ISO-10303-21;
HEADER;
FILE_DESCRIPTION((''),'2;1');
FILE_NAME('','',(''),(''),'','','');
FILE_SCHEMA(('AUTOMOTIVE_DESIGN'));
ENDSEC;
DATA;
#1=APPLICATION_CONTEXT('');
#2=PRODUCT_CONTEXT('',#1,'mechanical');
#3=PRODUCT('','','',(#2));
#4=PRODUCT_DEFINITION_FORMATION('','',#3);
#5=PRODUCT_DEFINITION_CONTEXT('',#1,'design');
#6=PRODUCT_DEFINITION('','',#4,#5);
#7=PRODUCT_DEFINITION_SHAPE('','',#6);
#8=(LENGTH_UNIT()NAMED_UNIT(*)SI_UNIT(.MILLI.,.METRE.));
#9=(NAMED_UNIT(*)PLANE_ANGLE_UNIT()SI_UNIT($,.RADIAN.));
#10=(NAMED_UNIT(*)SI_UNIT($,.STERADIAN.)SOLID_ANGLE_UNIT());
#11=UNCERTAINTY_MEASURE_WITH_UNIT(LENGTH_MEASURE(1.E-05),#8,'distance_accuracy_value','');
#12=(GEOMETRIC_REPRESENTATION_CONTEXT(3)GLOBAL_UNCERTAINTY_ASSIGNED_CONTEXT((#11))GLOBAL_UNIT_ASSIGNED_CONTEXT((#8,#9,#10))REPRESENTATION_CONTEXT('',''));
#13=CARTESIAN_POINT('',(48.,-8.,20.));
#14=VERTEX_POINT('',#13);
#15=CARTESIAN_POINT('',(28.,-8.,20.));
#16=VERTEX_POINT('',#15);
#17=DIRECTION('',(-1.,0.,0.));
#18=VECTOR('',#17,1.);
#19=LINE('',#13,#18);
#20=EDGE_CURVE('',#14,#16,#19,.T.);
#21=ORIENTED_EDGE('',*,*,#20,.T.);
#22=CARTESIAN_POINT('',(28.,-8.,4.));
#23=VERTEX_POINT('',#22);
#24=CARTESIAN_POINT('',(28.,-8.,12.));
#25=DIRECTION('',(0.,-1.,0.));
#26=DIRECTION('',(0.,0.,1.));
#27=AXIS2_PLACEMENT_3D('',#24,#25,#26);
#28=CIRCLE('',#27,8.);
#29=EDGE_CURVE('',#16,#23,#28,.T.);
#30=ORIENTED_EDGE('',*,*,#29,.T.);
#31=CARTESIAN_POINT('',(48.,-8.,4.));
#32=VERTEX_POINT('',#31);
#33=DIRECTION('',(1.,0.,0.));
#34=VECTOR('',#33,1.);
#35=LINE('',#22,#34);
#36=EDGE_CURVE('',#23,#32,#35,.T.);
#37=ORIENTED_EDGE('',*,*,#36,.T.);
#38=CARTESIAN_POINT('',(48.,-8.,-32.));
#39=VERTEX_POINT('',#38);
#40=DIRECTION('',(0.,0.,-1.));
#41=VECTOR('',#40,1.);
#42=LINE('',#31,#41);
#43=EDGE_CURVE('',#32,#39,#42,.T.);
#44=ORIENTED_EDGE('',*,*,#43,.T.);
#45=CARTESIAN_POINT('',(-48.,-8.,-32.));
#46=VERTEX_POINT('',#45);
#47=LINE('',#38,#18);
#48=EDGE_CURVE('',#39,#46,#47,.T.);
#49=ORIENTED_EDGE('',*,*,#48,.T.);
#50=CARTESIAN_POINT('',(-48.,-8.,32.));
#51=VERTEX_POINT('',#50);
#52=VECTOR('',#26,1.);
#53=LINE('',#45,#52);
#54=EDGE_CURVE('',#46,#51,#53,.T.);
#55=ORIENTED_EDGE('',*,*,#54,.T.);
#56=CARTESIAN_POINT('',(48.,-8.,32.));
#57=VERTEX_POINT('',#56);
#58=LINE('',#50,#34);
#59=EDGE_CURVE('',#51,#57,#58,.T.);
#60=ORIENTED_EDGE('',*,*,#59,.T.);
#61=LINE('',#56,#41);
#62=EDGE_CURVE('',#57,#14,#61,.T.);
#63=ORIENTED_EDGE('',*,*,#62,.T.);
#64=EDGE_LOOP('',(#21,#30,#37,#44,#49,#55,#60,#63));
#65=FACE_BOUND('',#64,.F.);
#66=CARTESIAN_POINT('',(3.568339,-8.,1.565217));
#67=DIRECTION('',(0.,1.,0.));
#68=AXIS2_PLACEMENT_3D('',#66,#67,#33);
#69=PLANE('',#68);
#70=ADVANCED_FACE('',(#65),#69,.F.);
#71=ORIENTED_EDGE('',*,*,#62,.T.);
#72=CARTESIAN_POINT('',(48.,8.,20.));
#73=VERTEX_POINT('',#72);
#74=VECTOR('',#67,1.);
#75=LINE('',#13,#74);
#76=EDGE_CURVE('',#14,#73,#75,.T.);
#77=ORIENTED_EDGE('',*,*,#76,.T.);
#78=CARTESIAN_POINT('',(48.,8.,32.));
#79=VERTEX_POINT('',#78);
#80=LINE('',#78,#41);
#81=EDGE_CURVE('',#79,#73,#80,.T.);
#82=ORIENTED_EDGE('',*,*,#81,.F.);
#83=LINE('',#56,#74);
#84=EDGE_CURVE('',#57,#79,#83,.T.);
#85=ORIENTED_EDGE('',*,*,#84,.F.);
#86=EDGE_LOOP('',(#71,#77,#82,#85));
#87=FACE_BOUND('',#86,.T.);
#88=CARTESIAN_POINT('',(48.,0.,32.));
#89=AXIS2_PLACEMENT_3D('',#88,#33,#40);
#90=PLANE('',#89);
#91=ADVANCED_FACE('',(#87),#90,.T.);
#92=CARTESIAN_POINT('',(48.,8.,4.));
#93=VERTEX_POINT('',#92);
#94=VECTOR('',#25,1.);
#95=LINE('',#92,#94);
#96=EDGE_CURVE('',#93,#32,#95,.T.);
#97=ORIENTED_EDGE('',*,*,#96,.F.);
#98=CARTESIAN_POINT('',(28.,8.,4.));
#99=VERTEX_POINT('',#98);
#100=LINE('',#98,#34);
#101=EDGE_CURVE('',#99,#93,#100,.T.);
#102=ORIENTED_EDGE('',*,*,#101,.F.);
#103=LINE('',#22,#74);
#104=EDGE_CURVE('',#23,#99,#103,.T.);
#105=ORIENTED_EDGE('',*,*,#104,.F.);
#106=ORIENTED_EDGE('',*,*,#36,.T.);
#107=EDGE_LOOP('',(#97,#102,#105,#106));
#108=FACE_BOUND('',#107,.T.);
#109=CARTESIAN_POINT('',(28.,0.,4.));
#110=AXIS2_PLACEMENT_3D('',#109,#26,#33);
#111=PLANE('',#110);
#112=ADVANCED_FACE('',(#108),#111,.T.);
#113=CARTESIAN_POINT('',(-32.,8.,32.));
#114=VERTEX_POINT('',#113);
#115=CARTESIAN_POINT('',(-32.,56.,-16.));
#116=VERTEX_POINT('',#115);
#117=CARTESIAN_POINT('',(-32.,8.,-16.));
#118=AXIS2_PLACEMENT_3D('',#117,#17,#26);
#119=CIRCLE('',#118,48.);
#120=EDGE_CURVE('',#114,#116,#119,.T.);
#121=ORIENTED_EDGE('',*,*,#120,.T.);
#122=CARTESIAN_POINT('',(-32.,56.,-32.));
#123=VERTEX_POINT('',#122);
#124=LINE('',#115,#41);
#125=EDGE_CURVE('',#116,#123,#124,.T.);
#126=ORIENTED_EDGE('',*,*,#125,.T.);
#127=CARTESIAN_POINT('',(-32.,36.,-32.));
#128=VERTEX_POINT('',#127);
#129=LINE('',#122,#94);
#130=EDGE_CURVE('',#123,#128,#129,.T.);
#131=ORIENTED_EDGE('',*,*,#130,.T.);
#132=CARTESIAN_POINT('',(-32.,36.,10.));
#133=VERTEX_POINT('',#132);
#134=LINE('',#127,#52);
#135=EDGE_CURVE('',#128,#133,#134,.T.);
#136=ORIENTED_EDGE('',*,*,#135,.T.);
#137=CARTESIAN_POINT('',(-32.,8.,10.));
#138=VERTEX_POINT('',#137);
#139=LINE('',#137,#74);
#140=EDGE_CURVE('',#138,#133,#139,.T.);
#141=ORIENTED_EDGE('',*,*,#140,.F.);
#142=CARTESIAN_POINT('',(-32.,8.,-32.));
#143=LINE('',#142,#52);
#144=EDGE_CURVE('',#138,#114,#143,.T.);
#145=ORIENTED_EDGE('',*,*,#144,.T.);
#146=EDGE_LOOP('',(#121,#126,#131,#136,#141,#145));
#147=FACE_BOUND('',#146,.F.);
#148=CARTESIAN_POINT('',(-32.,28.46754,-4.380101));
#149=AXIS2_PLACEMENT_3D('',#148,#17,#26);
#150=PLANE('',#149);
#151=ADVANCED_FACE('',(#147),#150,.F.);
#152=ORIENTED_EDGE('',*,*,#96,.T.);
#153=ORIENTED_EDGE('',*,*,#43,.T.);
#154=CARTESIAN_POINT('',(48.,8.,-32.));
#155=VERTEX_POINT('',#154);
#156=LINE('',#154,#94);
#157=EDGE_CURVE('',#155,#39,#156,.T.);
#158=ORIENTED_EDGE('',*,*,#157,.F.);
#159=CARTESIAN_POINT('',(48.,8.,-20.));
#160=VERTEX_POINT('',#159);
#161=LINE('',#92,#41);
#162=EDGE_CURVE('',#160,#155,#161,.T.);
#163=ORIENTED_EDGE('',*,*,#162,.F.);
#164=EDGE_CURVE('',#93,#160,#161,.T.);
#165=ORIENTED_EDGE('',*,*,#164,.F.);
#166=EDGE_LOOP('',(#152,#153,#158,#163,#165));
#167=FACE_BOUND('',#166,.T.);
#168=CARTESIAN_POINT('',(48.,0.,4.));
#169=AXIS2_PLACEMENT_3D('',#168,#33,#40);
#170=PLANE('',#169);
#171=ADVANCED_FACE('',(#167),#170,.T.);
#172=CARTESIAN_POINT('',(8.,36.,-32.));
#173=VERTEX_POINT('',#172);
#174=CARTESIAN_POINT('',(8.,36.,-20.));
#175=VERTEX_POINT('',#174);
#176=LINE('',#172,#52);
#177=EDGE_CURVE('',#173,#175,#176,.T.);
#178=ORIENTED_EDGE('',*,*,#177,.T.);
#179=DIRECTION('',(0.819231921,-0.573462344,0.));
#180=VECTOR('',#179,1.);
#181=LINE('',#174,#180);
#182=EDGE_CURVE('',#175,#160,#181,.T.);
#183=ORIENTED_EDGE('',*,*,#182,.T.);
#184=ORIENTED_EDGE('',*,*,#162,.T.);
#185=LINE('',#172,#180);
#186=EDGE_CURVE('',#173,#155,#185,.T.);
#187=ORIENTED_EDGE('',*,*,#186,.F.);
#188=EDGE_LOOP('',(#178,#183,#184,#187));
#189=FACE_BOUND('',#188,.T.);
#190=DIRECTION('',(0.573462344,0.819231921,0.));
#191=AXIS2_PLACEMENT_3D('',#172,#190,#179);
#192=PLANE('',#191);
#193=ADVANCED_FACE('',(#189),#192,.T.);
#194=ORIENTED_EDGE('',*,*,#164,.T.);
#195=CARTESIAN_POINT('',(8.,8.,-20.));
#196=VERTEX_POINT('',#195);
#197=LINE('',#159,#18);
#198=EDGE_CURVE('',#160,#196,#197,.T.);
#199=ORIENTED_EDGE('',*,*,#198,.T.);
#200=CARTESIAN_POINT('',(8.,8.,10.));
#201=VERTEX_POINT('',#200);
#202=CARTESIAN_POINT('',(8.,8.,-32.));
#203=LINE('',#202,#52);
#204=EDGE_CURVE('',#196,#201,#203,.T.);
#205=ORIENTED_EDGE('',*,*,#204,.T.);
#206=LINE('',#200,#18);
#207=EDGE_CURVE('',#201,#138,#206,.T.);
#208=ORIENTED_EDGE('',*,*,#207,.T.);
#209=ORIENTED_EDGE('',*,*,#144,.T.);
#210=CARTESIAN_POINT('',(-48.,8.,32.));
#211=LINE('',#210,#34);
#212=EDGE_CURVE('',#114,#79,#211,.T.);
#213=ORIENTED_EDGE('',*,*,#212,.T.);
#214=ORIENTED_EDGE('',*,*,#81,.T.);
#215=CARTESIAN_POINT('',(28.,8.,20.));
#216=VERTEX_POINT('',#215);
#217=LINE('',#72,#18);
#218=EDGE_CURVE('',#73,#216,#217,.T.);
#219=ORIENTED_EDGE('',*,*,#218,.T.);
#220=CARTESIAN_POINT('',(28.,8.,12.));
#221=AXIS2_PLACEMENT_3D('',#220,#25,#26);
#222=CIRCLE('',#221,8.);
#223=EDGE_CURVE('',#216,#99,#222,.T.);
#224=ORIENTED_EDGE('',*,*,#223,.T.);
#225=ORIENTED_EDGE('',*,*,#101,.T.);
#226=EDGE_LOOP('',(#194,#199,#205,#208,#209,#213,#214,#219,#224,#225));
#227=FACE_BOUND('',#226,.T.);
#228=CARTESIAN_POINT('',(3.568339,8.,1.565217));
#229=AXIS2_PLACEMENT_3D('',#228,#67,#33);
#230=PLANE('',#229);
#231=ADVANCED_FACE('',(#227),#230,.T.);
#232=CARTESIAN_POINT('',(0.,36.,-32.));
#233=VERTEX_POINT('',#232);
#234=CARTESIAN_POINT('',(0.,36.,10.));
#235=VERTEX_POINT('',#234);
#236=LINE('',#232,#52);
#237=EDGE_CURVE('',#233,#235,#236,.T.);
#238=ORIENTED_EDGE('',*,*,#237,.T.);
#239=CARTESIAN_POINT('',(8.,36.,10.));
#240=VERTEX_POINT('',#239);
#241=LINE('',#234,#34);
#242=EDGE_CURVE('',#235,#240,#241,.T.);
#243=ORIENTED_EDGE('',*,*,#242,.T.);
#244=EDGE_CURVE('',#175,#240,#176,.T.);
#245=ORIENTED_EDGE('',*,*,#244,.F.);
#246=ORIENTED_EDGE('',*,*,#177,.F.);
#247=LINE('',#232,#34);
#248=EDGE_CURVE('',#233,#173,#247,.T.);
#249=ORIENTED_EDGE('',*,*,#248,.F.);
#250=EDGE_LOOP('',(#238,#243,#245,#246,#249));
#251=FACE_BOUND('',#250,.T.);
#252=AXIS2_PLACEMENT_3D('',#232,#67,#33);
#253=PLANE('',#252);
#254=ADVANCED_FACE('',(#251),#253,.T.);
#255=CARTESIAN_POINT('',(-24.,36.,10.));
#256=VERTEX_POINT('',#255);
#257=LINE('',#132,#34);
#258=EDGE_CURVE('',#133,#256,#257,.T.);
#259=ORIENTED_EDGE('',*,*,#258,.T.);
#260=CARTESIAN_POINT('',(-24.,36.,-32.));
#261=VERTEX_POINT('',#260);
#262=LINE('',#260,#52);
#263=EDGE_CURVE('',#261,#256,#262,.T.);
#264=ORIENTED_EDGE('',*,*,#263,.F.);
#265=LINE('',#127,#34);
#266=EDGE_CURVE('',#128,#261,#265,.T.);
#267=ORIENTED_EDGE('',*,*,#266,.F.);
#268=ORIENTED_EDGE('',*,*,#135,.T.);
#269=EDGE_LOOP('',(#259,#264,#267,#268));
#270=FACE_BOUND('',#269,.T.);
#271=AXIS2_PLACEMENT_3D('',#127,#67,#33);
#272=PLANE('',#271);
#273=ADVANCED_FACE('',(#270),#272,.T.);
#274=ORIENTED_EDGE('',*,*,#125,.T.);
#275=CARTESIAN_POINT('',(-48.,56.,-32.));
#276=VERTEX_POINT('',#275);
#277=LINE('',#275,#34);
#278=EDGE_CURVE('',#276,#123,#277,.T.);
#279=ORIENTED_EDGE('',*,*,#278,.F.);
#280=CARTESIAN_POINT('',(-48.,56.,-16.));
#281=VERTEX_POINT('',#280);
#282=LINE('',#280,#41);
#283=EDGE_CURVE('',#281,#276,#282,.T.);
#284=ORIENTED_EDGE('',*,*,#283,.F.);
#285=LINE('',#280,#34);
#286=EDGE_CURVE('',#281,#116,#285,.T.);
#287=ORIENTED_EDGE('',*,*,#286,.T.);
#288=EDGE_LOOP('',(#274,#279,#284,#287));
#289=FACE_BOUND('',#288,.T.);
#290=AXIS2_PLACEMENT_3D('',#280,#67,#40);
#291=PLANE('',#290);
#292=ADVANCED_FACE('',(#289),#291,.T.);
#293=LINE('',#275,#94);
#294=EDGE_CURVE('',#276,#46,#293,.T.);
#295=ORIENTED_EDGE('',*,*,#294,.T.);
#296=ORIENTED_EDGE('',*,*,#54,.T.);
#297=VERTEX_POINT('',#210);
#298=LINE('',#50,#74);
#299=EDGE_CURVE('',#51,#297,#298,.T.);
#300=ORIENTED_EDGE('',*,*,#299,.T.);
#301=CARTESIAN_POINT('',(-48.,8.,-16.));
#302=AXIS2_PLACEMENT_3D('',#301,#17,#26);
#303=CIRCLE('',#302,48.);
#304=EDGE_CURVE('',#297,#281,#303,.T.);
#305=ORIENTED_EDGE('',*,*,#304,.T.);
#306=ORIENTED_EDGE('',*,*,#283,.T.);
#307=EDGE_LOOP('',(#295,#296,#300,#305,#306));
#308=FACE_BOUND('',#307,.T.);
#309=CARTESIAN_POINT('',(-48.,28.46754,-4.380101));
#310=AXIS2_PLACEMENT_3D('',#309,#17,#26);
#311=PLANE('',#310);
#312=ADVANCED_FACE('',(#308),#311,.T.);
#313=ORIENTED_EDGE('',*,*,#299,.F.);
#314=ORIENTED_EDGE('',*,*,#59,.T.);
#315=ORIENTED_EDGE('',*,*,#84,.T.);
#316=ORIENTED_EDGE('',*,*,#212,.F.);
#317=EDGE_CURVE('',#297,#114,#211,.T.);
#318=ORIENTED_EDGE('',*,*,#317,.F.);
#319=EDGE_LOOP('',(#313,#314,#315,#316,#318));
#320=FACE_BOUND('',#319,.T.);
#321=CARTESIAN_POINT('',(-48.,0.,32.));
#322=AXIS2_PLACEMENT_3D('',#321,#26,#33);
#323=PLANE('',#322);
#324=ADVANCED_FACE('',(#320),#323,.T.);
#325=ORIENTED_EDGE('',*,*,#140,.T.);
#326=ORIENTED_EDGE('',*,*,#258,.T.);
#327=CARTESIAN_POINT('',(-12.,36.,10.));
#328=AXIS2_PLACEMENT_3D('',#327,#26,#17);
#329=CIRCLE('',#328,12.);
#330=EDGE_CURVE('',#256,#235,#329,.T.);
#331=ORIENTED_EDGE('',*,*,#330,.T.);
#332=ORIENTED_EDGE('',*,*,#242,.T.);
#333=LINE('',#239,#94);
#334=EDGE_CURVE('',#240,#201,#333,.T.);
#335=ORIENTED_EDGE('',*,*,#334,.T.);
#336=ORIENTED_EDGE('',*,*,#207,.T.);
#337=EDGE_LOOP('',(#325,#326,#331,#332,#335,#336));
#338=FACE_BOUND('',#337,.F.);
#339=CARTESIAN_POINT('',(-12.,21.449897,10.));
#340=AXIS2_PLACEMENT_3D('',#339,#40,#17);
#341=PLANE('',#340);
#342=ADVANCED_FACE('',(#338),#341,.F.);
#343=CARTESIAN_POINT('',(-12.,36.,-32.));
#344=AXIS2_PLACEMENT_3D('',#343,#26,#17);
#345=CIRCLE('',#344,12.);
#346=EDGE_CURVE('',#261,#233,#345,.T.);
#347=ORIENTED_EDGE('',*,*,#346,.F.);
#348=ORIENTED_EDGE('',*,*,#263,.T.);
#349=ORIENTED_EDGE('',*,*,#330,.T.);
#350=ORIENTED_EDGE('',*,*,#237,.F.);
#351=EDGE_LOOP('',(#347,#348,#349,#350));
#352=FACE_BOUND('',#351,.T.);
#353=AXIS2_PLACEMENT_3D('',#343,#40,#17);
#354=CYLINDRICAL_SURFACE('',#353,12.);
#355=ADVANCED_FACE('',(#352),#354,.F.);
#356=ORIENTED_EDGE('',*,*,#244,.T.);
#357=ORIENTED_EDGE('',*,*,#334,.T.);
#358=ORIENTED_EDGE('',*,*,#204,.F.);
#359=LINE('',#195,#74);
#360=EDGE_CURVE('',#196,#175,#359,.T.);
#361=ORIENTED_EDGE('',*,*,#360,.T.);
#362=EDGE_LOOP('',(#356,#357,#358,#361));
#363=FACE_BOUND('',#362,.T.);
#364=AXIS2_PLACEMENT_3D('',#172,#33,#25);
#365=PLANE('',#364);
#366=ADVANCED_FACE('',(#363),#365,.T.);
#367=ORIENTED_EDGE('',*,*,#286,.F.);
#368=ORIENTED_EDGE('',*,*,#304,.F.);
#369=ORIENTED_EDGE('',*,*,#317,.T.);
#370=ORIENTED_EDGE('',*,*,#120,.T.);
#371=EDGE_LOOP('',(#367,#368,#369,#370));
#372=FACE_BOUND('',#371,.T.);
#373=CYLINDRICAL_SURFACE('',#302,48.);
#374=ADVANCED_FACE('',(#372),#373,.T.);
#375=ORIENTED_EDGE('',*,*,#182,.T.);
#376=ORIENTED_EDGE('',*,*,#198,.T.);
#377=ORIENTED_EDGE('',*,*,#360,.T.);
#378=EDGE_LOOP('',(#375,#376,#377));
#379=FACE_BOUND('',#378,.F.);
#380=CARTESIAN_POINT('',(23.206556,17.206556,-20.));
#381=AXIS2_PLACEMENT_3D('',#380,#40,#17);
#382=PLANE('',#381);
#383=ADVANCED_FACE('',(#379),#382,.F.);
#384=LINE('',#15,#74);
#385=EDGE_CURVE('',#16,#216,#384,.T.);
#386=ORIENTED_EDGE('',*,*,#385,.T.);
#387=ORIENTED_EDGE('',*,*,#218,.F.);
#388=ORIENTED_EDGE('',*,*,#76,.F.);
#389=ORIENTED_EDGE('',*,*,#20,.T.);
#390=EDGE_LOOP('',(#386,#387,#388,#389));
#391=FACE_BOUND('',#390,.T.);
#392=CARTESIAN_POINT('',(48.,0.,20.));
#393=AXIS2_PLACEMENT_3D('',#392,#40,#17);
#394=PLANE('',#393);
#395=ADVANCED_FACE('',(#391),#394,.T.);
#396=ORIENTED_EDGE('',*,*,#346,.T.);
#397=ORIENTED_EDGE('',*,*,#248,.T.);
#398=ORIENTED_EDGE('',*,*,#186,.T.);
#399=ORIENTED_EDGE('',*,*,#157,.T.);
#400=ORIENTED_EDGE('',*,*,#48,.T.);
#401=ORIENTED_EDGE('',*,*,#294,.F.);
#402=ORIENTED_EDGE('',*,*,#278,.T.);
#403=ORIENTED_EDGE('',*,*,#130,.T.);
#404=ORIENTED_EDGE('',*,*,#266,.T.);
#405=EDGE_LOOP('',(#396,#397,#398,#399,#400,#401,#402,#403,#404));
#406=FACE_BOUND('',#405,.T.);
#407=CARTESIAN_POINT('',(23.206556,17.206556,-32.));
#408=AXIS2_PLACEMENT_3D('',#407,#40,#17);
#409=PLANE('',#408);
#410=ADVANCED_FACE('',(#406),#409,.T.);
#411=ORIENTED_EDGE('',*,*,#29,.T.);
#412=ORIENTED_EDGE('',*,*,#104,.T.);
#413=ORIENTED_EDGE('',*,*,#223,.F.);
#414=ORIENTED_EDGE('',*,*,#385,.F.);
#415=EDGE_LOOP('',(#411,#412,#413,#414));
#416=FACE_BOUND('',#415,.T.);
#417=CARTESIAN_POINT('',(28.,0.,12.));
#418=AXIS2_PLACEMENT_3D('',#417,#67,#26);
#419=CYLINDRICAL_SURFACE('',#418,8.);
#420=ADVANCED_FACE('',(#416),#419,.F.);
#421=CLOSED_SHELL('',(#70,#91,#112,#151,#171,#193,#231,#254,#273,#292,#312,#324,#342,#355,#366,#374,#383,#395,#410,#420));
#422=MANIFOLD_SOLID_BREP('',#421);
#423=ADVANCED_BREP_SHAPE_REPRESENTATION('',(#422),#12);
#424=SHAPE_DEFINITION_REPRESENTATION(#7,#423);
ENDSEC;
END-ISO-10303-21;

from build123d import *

# Parameters (mm, degrees)
BOSS_EXTRUDE2_DEPTH = 8
BOSS_EXTRUDE3_DEPTH = 16
BOSS_EXTRUDE4_DEPTH = 42
BOSS_EXTRUDE5_DEPTH = 12


with BuildPart() as part:
    # Sketch2 → Boss-Extrude2 (new body, symmetric)
    with BuildSketch(Plane(origin=(0, 0, 0), x_dir=(1, 0, 0), z_dir=(0, 1, 0))):
        with BuildLine():
            Line((-48, 32), (-48, -32))
            Line((-48, -32), (48, -32))
            Line((48, -32), (48, -20))
            Line((48, -20), (28, -20))
            ThreePointArc((28, -20), (20, -12), (28, -4))
            Line((28, -4), (48, -4))
            Line((48, -4), (48, 32))
            Line((48, 32), (-48, 32))
        make_face()
    extrude(amount=BOSS_EXTRUDE2_DEPTH, both=True)

    # Sketch3 → Boss-Extrude3 (add)
    with BuildSketch(Plane.ZY.offset(48)):
        with BuildLine():
            Line((-16, 8), (32, 8))
            ThreePointArc((32, 8), (17.941125497, 41.941125497), (-16, 56))
            Line((-16, 56), (-32, 56))
            Line((-32, 56), (-32, 8))
            Line((-32, 8), (-16, 8))
        make_face()
    extrude(amount=-BOSS_EXTRUDE3_DEPTH)

    # Sketch4 → Boss-Extrude4 (add)
    with BuildSketch(Plane(origin=(0, 0, -32), x_dir=(-1, 0, 0), z_dir=(0, 0, -1))):
        with BuildLine():
            ThreePointArc((24, 36), (12, 24), (0, 36))
            Line((0, 36), (-8, 36))
            Line((-8, 36), (-8, 8))
            Line((-8, 8), (32, 8))
            Line((32, 8), (32, 36))
            Line((32, 36), (24, 36))
        make_face()
    extrude(amount=-BOSS_EXTRUDE4_DEPTH)

    # Sketch5 → Boss-Extrude5 (add)
    with BuildSketch(Plane(origin=(0, 0, -32), x_dir=(-1, 0, 0), z_dir=(0, 0, -1))):
        Polygon((-8, 36), (-48, 8), (-8, 8), align=None)
    extrude(amount=-BOSS_EXTRUDE5_DEPTH)


solid = part.part
